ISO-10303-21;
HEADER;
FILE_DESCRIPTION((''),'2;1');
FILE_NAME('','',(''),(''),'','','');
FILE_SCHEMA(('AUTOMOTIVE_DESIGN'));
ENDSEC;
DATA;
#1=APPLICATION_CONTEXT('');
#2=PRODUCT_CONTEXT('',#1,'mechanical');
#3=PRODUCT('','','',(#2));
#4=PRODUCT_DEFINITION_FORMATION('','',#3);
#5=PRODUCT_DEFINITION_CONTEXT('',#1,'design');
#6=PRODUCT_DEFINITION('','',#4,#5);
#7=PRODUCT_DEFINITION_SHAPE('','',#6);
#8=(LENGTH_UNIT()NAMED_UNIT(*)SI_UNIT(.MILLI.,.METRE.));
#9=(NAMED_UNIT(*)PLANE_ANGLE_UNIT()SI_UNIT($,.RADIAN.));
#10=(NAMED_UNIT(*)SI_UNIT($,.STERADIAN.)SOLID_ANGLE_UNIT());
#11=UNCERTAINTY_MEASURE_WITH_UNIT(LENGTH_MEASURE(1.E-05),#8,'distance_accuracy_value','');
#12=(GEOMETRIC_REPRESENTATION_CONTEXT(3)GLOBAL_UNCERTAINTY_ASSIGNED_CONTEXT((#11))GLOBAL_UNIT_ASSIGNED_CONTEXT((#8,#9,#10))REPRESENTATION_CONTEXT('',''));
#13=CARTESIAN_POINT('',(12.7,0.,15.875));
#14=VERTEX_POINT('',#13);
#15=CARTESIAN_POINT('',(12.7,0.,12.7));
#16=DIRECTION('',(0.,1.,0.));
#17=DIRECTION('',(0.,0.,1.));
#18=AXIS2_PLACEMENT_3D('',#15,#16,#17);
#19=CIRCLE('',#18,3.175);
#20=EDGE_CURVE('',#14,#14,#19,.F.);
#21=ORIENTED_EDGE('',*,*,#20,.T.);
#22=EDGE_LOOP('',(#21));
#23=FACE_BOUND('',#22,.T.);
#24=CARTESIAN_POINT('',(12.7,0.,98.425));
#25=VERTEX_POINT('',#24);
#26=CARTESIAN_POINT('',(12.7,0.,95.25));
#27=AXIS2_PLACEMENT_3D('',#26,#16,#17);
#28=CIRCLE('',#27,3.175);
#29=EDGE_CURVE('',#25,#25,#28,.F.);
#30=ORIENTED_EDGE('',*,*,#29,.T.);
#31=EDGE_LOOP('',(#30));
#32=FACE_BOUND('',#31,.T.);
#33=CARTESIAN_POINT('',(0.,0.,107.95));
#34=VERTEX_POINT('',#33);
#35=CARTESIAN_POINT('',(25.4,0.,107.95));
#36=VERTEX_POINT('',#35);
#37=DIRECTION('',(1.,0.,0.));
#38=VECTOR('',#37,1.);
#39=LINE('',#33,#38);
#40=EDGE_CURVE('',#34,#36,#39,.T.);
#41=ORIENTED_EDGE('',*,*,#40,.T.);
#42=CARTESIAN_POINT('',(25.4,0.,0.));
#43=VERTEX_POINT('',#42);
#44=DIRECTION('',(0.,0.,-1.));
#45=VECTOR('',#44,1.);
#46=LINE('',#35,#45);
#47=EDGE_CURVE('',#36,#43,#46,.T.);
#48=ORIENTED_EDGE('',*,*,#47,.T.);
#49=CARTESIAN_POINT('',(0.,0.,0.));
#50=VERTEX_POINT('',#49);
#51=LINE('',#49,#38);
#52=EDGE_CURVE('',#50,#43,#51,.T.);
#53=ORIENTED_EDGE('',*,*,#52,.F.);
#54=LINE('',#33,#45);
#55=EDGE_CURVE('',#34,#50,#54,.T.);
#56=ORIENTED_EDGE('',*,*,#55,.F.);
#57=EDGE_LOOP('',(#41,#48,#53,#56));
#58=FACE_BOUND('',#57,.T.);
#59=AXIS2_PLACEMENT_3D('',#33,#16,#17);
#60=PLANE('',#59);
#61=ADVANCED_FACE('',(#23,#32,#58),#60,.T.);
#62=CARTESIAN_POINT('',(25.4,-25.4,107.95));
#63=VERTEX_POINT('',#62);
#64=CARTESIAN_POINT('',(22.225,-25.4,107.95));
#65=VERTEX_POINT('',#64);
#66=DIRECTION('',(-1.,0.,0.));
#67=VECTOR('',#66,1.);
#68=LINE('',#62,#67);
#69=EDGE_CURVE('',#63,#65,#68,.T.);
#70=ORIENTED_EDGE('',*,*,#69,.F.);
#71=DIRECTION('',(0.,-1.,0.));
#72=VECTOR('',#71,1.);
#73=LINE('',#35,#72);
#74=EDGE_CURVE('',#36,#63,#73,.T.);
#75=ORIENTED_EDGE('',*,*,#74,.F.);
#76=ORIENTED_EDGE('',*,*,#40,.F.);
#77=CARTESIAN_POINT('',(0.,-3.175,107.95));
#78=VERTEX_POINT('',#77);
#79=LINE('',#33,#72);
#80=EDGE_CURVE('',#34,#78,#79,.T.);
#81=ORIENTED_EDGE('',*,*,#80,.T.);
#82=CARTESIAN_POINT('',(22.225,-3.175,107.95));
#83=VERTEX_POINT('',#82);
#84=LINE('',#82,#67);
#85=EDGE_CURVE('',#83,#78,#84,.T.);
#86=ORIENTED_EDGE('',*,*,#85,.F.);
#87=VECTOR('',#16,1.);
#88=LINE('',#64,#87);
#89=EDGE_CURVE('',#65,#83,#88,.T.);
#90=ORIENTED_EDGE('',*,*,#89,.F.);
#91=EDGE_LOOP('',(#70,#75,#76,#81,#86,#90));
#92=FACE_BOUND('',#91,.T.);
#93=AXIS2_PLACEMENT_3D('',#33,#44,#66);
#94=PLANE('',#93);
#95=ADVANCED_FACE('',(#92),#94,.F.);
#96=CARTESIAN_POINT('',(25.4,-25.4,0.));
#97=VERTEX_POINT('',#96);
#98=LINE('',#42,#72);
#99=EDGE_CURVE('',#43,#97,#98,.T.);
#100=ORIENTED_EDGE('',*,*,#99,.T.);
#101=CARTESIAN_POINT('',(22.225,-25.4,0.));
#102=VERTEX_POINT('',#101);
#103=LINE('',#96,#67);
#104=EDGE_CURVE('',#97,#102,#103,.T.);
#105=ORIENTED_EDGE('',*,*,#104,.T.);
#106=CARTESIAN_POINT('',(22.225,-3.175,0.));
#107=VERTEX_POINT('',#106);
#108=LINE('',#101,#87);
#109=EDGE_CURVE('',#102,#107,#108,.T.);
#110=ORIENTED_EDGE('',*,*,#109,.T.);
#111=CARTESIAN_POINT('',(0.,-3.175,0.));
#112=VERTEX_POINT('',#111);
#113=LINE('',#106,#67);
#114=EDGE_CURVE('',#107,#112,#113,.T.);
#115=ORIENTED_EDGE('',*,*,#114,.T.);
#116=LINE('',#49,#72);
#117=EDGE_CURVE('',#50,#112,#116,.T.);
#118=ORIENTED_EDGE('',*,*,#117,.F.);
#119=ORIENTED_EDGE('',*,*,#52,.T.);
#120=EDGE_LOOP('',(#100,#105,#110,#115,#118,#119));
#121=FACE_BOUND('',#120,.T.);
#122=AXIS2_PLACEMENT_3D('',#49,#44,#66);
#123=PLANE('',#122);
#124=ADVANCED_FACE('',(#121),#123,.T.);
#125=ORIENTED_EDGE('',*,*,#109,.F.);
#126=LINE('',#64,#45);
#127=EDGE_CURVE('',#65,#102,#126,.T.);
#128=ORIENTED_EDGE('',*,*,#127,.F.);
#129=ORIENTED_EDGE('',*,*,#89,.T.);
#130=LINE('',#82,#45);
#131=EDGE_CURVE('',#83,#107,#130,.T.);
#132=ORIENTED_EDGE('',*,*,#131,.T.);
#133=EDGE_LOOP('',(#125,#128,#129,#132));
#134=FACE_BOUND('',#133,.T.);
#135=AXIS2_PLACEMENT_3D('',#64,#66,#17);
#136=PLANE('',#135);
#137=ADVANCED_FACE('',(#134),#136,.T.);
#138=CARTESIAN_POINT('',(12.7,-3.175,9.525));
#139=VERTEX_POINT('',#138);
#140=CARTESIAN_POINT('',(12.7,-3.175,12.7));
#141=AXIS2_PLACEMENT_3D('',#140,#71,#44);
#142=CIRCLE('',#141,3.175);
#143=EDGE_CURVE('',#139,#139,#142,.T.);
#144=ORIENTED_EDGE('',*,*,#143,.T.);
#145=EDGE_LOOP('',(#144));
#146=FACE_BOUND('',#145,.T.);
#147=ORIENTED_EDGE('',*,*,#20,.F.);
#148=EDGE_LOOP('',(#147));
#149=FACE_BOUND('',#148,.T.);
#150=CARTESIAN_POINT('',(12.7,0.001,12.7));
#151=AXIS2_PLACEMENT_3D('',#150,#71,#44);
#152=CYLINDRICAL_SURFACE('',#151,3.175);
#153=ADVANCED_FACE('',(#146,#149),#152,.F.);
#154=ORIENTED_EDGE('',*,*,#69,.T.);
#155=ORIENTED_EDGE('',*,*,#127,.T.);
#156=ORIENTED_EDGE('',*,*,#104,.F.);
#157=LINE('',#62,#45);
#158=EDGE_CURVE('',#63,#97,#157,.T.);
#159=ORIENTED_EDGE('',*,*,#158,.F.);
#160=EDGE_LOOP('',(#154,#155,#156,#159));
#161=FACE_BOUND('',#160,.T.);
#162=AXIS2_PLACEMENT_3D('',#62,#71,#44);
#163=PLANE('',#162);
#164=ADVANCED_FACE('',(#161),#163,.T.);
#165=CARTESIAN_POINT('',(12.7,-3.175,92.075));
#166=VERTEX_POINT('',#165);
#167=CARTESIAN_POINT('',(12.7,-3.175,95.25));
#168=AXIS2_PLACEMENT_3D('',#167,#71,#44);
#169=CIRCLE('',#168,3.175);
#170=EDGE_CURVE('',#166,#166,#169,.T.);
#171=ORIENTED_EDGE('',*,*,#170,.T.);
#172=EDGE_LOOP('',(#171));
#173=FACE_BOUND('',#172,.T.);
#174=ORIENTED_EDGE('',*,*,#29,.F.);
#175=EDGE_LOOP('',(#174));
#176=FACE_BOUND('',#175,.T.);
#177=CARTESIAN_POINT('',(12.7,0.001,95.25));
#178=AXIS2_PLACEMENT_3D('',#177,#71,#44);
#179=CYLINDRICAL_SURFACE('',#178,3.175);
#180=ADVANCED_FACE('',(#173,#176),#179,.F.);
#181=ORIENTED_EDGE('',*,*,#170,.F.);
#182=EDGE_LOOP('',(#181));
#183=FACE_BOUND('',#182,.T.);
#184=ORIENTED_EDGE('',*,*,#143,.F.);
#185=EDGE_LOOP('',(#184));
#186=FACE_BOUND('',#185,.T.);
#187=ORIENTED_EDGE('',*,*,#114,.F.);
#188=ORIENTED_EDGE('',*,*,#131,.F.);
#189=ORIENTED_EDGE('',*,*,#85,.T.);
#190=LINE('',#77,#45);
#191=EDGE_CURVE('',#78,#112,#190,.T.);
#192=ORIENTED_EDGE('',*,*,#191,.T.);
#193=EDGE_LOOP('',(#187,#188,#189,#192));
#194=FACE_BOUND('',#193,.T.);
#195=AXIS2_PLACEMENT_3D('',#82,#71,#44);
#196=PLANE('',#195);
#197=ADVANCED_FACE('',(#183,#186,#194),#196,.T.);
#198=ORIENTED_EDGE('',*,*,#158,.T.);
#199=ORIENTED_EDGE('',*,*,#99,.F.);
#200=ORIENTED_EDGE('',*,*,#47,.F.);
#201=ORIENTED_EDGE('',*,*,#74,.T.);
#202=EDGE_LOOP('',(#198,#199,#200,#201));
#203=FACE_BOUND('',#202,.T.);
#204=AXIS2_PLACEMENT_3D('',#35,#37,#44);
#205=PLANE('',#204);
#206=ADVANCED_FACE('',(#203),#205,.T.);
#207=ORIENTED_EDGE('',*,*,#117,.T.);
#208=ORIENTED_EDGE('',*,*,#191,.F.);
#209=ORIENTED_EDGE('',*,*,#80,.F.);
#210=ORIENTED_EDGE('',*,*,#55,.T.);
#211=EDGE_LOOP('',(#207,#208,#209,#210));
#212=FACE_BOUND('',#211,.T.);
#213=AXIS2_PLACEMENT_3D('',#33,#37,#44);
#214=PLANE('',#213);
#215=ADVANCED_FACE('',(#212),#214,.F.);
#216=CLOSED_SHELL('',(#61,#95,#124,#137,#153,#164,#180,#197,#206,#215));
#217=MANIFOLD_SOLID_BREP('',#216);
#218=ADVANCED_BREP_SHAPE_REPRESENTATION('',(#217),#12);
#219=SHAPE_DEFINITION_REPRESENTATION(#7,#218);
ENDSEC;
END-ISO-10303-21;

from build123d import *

# Parameters (mm, degrees)
BOSS_EXTRUDE1_DEPTH = 107.95
CUT_EXTRUDE1_REACH  = 115.103
SKETCH2_R           = 3.175


with BuildPart() as part:
    # Sketch1 → Boss-Extrude1 (new body)
    with BuildSketch(Plane.XY):
        Polygon((0, 0), (25.4, 0), (25.4, -25.4), (22.225, -25.4), (22.225, -3.175), (0, -3.175), align=None)
    extrude(amount=BOSS_EXTRUDE1_DEPTH)

    # Sketch2 → Cut-Extrude1 (cut, up to next)
    with BuildSketch(Plane.XZ.offset(3.175), mode=Mode.PRIVATE) as cut_extrude1_sk1:
        with Locations(Location((12.7, 12.7, 0), (0, 0, 270))):
            Circle(SKETCH2_R)
    cut_extrude1_tool1 = extrude(cut_extrude1_sk1.sketch, amount=-CUT_EXTRUDE1_REACH, mode=Mode.PRIVATE) & part.part
    # Sketch2 → Cut-Extrude1 (cut, up to next)
    with BuildSketch(Plane.XZ.offset(3.175), mode=Mode.PRIVATE) as cut_extrude1_sk2:
        with Locations(Location((12.7, 95.25, 0), (0, 0, 270))):
            Circle(SKETCH2_R)
    cut_extrude1_tool2 = extrude(cut_extrude1_sk2.sketch, amount=-CUT_EXTRUDE1_REACH, mode=Mode.PRIVATE) & part.part
    add(cut_extrude1_tool1.solids().sort_by_distance((12.7, -3.175, 12.7))[0], mode=Mode.SUBTRACT)
    add(cut_extrude1_tool2.solids().sort_by_distance((12.7, -3.175, 95.25))[0], mode=Mode.SUBTRACT)


solid = part.part
